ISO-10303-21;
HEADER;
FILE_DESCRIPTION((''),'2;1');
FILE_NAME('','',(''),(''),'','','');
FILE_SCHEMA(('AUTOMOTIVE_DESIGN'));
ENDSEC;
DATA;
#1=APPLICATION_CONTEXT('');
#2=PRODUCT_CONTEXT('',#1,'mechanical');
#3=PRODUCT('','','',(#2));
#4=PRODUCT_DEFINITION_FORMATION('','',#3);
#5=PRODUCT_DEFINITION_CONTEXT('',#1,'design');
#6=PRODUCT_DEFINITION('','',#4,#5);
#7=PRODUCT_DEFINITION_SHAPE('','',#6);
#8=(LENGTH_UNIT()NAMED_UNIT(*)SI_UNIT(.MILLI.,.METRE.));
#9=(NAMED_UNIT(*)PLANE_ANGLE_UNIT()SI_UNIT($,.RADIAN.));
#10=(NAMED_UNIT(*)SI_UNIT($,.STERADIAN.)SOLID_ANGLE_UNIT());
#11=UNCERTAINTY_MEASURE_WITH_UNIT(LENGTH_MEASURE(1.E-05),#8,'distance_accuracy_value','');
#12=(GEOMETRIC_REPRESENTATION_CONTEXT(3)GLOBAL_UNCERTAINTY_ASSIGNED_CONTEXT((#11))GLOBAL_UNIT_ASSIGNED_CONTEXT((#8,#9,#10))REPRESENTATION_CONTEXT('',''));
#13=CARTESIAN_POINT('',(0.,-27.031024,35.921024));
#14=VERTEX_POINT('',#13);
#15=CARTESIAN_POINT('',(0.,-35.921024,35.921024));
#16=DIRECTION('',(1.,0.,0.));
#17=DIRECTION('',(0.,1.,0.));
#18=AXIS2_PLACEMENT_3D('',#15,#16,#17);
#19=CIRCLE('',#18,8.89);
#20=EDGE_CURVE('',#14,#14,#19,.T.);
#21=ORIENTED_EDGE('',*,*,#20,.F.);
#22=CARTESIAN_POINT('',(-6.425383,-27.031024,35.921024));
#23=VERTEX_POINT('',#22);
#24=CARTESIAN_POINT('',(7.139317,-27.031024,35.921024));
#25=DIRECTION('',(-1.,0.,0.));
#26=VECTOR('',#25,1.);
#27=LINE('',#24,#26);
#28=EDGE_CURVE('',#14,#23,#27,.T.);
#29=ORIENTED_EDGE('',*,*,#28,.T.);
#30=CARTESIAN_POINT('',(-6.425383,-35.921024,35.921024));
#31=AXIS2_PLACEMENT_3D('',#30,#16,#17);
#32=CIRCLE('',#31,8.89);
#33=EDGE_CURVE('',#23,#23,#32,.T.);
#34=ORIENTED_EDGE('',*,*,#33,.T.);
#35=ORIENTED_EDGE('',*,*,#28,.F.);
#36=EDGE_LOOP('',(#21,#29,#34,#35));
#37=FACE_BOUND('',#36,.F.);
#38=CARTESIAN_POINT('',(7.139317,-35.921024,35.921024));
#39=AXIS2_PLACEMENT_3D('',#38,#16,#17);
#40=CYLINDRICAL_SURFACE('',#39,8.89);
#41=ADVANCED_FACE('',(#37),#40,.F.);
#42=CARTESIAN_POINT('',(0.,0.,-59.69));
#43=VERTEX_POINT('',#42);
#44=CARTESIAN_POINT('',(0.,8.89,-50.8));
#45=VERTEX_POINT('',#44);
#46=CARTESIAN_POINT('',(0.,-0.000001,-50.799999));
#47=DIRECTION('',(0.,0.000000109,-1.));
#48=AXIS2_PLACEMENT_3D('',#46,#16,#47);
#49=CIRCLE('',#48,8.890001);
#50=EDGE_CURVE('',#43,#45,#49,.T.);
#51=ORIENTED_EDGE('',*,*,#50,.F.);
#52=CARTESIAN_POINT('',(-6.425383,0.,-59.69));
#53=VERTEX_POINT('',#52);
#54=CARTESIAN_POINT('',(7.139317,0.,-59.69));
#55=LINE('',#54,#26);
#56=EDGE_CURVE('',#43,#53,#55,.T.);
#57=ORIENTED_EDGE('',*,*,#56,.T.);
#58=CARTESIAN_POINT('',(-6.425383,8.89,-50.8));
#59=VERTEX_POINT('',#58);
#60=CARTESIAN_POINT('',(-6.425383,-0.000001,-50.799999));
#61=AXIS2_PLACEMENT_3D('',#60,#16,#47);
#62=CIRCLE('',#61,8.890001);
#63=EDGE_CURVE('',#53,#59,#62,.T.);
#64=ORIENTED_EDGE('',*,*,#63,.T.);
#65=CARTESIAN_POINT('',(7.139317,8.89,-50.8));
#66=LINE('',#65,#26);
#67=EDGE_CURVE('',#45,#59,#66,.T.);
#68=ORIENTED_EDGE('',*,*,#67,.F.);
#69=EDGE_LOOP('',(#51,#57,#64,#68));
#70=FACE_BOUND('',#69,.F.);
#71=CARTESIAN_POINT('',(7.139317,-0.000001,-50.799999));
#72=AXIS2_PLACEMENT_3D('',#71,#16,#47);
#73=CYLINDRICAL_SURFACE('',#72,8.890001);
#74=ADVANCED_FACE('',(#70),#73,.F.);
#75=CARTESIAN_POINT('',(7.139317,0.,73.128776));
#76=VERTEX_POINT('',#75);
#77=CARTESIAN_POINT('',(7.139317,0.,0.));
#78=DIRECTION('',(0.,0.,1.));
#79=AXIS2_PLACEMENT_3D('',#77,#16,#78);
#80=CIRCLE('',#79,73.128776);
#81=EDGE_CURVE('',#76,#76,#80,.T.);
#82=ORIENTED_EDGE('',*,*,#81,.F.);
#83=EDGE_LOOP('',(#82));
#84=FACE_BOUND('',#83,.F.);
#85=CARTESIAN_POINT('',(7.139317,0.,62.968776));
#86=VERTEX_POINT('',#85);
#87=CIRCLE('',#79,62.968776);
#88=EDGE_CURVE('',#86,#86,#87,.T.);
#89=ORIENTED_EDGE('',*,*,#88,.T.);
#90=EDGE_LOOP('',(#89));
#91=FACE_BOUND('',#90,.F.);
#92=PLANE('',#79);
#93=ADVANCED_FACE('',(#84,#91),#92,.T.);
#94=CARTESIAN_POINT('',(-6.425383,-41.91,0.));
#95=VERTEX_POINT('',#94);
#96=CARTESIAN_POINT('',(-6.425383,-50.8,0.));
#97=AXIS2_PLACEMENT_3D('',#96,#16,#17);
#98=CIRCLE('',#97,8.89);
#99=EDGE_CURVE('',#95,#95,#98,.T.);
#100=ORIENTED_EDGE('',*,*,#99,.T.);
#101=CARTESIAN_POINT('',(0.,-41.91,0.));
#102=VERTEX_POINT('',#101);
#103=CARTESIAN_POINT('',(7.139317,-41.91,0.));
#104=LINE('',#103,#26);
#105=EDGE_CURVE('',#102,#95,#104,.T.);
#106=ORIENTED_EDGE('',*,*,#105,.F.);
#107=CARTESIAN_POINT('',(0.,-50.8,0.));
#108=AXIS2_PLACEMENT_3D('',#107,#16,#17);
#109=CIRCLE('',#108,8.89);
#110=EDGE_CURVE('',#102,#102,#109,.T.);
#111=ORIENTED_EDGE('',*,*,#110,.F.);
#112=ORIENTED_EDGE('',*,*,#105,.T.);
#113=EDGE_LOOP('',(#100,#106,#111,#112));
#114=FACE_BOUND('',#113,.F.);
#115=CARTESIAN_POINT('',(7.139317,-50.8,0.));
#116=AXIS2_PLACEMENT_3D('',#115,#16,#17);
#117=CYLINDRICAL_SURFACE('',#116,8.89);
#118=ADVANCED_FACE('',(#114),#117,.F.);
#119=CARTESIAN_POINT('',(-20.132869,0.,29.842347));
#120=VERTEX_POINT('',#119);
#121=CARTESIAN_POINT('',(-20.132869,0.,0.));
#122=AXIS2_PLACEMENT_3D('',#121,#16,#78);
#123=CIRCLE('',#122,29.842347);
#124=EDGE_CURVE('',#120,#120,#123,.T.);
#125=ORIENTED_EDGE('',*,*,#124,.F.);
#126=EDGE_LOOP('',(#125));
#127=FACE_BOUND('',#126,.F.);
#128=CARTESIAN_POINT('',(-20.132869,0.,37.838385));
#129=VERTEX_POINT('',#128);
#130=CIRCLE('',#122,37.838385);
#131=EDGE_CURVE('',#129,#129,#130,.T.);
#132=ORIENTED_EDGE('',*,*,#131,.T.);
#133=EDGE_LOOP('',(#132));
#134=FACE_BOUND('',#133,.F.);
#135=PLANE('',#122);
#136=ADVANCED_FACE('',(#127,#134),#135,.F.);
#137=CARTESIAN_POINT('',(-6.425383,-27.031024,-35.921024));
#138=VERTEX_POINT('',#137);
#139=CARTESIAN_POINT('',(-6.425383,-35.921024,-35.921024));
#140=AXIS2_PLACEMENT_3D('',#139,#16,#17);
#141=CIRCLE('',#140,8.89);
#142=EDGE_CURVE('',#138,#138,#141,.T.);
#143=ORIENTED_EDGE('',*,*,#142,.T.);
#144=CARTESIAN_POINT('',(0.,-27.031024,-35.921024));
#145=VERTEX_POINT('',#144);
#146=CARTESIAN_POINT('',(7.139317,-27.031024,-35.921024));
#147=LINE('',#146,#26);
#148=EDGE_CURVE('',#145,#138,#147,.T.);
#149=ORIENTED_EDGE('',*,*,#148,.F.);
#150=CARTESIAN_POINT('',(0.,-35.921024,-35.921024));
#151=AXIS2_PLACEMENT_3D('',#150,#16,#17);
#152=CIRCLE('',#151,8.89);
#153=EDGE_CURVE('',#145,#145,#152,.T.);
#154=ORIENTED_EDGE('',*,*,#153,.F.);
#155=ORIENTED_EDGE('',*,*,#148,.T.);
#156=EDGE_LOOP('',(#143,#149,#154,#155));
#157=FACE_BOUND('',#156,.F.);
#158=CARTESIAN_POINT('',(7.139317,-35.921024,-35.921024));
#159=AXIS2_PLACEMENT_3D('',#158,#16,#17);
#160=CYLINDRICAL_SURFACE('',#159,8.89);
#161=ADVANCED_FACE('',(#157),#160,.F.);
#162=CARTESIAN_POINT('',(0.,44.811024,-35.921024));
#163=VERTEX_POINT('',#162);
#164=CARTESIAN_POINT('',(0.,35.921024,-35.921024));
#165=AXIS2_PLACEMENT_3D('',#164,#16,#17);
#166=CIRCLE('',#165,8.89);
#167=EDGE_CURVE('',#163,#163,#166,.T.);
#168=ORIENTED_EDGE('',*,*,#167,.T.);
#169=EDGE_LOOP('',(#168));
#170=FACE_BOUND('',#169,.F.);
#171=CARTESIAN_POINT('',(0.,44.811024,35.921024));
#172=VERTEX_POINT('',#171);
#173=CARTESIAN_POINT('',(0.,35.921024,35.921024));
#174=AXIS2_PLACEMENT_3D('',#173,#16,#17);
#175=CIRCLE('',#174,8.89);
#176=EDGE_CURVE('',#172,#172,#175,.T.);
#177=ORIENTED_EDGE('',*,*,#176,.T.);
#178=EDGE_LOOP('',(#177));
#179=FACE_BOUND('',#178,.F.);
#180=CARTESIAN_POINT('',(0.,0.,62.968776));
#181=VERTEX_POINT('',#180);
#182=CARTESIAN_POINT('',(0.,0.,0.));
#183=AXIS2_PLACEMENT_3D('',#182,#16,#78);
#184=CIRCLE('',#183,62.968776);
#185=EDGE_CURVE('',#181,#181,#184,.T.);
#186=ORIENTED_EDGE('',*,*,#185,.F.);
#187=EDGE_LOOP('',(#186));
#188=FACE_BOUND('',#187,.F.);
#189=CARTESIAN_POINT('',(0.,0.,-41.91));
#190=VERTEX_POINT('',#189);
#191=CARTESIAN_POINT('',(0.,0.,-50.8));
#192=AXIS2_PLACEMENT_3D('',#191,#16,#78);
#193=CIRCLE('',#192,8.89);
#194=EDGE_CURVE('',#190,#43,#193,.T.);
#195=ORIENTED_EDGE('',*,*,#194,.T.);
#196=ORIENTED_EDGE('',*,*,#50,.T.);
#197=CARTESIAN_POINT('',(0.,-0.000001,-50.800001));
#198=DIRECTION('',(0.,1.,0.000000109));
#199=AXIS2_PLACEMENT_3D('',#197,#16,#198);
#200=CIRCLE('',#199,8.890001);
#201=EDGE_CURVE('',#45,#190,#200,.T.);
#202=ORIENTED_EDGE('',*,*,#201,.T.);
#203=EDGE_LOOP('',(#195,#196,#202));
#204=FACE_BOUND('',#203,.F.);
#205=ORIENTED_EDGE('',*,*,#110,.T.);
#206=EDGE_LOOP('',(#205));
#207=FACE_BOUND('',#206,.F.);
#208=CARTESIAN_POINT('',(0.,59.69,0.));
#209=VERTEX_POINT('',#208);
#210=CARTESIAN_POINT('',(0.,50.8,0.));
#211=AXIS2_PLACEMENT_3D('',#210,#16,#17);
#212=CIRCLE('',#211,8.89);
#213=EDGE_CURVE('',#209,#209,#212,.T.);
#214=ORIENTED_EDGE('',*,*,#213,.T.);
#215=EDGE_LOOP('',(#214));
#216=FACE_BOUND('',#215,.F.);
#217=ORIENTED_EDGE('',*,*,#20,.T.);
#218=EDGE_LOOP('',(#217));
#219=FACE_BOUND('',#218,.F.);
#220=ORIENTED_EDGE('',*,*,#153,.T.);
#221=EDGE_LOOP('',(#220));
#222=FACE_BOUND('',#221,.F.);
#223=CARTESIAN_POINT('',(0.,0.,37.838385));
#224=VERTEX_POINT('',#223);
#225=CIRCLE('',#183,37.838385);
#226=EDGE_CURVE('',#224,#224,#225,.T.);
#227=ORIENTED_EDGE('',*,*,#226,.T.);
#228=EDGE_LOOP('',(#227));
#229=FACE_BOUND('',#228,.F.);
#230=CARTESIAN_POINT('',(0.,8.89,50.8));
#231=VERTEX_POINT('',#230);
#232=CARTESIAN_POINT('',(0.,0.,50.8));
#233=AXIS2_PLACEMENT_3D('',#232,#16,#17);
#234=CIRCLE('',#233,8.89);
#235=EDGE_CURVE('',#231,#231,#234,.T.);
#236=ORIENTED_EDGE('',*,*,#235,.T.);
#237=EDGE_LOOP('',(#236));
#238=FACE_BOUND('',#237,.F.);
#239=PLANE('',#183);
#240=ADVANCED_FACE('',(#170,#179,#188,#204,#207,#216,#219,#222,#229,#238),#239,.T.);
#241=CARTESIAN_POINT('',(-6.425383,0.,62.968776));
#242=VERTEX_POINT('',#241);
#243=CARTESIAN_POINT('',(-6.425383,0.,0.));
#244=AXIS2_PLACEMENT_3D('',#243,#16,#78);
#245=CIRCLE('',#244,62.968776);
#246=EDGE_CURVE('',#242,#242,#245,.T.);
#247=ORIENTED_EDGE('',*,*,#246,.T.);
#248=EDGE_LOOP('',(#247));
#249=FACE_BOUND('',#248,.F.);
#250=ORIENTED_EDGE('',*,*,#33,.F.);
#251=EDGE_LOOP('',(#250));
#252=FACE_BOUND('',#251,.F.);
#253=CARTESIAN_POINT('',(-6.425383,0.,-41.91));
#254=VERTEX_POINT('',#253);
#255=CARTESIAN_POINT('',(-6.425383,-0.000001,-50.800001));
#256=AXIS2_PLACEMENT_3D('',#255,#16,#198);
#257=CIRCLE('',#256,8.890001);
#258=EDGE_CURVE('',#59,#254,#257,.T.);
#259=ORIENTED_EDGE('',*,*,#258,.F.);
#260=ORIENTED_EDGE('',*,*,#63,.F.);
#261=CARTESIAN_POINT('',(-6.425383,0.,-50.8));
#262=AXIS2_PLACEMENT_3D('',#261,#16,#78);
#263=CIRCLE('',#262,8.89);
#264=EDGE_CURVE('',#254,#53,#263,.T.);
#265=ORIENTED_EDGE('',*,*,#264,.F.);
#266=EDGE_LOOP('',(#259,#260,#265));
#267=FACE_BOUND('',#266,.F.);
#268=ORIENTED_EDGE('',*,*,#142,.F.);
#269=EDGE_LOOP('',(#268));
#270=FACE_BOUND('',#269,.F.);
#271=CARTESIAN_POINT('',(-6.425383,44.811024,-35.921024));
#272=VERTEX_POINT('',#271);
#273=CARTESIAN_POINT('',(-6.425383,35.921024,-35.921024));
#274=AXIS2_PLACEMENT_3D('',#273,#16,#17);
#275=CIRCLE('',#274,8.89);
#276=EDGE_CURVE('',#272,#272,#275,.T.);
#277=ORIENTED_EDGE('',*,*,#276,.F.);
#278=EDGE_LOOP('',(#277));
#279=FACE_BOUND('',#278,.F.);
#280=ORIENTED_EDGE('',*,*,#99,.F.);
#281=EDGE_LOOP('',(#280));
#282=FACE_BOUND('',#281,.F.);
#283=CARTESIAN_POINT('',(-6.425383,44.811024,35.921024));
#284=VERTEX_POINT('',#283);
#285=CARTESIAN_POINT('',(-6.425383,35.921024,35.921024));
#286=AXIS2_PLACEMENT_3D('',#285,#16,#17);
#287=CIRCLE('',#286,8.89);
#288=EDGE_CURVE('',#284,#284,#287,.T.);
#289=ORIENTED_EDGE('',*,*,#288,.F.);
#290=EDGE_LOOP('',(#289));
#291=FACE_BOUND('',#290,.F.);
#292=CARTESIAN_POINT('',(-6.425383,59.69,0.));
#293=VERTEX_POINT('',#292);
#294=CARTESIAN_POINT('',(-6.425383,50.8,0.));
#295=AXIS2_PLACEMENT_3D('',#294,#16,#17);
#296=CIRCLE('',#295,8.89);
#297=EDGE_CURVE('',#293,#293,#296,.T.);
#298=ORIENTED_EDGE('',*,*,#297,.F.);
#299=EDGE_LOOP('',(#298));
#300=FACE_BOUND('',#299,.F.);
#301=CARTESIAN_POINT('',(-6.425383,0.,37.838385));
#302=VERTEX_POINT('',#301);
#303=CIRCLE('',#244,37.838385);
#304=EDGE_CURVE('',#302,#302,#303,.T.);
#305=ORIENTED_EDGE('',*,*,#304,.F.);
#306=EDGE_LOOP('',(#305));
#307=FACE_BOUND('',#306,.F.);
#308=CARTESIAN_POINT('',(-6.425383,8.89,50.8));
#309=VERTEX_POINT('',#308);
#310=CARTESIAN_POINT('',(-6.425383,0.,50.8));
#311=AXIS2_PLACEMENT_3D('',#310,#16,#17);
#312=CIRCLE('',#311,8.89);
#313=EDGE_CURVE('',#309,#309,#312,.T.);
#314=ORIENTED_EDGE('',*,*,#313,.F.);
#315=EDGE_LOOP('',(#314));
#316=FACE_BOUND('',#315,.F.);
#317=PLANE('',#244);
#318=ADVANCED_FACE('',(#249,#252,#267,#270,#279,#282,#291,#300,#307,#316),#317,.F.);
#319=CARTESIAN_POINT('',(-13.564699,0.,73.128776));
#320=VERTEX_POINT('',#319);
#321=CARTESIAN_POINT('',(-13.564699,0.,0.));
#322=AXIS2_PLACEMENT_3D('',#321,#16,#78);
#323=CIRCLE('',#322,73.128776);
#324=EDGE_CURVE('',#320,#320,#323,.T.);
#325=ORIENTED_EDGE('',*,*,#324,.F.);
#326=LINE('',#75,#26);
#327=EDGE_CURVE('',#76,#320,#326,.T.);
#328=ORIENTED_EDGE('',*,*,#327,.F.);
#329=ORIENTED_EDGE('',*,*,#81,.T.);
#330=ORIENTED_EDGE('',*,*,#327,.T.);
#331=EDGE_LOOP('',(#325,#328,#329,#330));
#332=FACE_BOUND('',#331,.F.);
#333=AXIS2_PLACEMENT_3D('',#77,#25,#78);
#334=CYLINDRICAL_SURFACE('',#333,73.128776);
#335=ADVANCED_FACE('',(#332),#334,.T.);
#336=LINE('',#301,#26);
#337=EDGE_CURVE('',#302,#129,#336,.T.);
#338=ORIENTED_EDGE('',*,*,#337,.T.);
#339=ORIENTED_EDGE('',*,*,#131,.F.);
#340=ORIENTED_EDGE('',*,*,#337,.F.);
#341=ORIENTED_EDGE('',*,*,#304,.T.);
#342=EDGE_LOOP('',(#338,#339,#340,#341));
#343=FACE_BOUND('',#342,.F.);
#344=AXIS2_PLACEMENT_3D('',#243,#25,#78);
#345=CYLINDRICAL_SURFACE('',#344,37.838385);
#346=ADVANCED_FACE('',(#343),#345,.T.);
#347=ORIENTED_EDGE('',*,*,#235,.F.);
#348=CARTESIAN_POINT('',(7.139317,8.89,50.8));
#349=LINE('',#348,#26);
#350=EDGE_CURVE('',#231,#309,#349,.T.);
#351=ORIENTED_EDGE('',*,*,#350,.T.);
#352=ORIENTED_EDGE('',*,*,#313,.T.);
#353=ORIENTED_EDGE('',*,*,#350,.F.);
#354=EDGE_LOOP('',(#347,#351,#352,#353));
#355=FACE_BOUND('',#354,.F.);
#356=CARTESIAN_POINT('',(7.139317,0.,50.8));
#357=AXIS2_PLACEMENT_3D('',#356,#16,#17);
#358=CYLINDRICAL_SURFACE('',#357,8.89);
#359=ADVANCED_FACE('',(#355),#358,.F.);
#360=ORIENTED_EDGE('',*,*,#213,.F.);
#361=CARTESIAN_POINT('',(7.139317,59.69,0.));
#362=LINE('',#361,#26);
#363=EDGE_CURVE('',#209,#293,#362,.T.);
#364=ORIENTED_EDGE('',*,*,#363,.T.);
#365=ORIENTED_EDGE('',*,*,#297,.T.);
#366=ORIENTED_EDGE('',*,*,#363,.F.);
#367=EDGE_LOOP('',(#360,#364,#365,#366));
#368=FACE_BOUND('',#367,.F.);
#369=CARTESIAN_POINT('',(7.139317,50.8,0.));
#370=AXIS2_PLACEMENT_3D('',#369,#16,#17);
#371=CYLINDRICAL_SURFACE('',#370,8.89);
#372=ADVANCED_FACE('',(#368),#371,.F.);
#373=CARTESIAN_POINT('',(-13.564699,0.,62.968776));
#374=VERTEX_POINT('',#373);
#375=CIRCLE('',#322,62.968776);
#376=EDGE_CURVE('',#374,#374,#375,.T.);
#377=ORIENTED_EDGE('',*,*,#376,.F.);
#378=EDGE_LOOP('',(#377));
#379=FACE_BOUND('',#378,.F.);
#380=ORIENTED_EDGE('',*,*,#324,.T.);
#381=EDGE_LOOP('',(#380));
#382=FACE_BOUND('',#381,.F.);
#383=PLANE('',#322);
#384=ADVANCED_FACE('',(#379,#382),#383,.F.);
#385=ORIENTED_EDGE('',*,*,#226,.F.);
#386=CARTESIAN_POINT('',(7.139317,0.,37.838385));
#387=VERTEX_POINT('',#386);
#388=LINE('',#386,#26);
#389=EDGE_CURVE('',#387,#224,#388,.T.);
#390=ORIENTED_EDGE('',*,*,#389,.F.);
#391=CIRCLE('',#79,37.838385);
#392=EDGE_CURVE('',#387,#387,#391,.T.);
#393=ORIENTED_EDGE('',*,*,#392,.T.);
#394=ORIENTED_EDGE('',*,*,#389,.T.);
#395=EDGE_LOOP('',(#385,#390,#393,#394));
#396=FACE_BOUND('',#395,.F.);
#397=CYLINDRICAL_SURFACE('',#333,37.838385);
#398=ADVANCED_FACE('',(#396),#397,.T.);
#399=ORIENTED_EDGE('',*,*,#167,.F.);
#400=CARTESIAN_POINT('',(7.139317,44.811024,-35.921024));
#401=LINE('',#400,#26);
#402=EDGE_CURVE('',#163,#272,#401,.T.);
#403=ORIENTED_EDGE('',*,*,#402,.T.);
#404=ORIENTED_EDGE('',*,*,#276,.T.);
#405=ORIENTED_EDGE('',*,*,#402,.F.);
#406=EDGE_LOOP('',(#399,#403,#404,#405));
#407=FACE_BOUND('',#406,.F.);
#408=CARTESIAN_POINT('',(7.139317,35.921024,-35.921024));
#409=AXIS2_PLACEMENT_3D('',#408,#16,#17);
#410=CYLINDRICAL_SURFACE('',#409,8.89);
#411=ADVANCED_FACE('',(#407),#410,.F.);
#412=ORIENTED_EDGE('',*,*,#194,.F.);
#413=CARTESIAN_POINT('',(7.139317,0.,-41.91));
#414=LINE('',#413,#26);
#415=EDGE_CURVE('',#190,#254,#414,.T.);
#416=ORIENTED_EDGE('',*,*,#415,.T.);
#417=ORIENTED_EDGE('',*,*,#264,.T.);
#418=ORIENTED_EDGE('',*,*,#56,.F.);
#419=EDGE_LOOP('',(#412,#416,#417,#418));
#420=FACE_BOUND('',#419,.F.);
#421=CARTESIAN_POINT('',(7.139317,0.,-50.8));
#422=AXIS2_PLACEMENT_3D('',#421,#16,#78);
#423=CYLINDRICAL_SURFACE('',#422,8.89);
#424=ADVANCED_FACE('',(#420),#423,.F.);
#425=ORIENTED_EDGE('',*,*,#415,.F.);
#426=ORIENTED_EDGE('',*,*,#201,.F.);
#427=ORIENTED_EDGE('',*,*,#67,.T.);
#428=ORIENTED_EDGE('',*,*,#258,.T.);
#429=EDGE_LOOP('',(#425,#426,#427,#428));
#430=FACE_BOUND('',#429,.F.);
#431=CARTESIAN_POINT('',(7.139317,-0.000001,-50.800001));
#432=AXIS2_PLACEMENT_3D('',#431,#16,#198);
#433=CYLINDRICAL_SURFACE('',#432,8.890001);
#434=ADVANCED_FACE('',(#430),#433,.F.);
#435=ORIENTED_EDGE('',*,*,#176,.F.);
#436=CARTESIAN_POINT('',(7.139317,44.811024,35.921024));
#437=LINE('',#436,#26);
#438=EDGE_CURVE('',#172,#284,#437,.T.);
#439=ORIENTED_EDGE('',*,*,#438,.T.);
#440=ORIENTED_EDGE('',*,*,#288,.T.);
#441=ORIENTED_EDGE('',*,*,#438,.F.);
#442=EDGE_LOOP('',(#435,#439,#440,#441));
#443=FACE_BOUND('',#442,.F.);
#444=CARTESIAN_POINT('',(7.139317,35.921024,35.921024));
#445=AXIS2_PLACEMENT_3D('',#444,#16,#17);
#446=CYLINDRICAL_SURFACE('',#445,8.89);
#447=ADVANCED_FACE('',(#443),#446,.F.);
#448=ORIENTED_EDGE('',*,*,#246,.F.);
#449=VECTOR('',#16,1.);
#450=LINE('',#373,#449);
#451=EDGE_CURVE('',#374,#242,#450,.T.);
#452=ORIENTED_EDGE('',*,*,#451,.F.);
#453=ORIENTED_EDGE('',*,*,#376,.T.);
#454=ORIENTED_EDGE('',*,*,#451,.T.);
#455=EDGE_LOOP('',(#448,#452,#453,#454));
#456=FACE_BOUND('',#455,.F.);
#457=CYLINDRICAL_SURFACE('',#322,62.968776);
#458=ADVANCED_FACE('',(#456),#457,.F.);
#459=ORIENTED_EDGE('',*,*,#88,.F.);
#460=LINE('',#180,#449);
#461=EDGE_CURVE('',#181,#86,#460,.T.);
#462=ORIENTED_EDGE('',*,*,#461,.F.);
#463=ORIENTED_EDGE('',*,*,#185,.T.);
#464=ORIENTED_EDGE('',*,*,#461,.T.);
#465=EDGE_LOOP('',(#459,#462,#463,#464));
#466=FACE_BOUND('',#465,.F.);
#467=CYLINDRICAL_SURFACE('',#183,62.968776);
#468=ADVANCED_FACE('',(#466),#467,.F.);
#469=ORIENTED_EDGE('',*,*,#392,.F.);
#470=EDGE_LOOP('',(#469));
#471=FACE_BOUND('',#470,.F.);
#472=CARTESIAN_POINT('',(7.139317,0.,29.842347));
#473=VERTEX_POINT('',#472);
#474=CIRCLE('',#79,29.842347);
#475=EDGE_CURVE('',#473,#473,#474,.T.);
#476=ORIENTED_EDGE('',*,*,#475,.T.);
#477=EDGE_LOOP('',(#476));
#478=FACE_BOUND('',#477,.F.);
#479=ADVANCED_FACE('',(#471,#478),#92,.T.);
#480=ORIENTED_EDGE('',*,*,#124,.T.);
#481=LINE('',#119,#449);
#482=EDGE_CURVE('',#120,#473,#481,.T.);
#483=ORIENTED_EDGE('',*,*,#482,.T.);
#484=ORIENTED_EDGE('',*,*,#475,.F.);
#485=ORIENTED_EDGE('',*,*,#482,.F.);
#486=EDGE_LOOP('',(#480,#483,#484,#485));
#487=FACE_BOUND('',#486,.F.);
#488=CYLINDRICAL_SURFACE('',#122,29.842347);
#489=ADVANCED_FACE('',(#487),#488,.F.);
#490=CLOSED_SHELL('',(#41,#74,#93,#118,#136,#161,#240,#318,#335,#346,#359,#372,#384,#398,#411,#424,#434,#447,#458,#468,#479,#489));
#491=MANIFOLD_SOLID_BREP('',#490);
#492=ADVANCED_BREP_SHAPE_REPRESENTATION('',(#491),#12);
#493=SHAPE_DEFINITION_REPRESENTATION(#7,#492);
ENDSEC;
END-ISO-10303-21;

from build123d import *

# Parameters (mm, degrees)
F2_R     = 8.89
F3_DEPTH = 27.273186


with BuildPart() as f1:
    # F0 (on Front) → F1 (revolve)
    with BuildSketch(Plane.XZ):
        Polygon((-20.132869, 37.838385), (-20.132869, 29.842347), (7.139317, 29.842347), (7.139317, 37.838385), (0, 37.838385), (0, 62.968776), (7.139317, 62.968776), (7.139317, 73.128776), (-13.564699, 73.128776), (-13.564699, 62.968776), (-6.425383, 62.968776), (-6.425383, 37.838385), align=None)
    revolve(axis=Axis((11.994056, 0, 0), (1, 0, 0)))

    # F2 (on face) → F3 (cut, through all)
    with BuildSketch(Plane.YZ.offset(7.139317)):
        with Locations((-35.921024, 35.921024)):
            Circle(F2_R)
        with Locations((0, 50.8)):
            Circle(F2_R)
        with Locations((35.921024, 35.921024)):
            Circle(F2_R)
        with Locations((50.8, 0)):
            Circle(F2_R)
        with Locations((35.921024, -35.921024)):
            Circle(F2_R)
        with BuildLine():
            ThreePointArc((8.89, -50.8), (6.286179, -44.513821), (0, -41.91))
            Line((0, -41.91), (0, -59.69))
            ThreePointArc((0, -59.69), (6.286179, -57.086179), (8.89, -50.8))
        make_face()
        with BuildLine():
            Line((0, -59.69), (0, -41.91))
            ThreePointArc((0, -41.91), (-8.89, -50.8), (0, -59.69))
        make_face()
        with Locations((-35.921024, -35.921024)):
            Circle(F2_R)
        with Locations((-50.8, 0)):
            Circle(F2_R)
    extrude(amount=-F3_DEPTH, mode=Mode.SUBTRACT)


solid = f1.part
